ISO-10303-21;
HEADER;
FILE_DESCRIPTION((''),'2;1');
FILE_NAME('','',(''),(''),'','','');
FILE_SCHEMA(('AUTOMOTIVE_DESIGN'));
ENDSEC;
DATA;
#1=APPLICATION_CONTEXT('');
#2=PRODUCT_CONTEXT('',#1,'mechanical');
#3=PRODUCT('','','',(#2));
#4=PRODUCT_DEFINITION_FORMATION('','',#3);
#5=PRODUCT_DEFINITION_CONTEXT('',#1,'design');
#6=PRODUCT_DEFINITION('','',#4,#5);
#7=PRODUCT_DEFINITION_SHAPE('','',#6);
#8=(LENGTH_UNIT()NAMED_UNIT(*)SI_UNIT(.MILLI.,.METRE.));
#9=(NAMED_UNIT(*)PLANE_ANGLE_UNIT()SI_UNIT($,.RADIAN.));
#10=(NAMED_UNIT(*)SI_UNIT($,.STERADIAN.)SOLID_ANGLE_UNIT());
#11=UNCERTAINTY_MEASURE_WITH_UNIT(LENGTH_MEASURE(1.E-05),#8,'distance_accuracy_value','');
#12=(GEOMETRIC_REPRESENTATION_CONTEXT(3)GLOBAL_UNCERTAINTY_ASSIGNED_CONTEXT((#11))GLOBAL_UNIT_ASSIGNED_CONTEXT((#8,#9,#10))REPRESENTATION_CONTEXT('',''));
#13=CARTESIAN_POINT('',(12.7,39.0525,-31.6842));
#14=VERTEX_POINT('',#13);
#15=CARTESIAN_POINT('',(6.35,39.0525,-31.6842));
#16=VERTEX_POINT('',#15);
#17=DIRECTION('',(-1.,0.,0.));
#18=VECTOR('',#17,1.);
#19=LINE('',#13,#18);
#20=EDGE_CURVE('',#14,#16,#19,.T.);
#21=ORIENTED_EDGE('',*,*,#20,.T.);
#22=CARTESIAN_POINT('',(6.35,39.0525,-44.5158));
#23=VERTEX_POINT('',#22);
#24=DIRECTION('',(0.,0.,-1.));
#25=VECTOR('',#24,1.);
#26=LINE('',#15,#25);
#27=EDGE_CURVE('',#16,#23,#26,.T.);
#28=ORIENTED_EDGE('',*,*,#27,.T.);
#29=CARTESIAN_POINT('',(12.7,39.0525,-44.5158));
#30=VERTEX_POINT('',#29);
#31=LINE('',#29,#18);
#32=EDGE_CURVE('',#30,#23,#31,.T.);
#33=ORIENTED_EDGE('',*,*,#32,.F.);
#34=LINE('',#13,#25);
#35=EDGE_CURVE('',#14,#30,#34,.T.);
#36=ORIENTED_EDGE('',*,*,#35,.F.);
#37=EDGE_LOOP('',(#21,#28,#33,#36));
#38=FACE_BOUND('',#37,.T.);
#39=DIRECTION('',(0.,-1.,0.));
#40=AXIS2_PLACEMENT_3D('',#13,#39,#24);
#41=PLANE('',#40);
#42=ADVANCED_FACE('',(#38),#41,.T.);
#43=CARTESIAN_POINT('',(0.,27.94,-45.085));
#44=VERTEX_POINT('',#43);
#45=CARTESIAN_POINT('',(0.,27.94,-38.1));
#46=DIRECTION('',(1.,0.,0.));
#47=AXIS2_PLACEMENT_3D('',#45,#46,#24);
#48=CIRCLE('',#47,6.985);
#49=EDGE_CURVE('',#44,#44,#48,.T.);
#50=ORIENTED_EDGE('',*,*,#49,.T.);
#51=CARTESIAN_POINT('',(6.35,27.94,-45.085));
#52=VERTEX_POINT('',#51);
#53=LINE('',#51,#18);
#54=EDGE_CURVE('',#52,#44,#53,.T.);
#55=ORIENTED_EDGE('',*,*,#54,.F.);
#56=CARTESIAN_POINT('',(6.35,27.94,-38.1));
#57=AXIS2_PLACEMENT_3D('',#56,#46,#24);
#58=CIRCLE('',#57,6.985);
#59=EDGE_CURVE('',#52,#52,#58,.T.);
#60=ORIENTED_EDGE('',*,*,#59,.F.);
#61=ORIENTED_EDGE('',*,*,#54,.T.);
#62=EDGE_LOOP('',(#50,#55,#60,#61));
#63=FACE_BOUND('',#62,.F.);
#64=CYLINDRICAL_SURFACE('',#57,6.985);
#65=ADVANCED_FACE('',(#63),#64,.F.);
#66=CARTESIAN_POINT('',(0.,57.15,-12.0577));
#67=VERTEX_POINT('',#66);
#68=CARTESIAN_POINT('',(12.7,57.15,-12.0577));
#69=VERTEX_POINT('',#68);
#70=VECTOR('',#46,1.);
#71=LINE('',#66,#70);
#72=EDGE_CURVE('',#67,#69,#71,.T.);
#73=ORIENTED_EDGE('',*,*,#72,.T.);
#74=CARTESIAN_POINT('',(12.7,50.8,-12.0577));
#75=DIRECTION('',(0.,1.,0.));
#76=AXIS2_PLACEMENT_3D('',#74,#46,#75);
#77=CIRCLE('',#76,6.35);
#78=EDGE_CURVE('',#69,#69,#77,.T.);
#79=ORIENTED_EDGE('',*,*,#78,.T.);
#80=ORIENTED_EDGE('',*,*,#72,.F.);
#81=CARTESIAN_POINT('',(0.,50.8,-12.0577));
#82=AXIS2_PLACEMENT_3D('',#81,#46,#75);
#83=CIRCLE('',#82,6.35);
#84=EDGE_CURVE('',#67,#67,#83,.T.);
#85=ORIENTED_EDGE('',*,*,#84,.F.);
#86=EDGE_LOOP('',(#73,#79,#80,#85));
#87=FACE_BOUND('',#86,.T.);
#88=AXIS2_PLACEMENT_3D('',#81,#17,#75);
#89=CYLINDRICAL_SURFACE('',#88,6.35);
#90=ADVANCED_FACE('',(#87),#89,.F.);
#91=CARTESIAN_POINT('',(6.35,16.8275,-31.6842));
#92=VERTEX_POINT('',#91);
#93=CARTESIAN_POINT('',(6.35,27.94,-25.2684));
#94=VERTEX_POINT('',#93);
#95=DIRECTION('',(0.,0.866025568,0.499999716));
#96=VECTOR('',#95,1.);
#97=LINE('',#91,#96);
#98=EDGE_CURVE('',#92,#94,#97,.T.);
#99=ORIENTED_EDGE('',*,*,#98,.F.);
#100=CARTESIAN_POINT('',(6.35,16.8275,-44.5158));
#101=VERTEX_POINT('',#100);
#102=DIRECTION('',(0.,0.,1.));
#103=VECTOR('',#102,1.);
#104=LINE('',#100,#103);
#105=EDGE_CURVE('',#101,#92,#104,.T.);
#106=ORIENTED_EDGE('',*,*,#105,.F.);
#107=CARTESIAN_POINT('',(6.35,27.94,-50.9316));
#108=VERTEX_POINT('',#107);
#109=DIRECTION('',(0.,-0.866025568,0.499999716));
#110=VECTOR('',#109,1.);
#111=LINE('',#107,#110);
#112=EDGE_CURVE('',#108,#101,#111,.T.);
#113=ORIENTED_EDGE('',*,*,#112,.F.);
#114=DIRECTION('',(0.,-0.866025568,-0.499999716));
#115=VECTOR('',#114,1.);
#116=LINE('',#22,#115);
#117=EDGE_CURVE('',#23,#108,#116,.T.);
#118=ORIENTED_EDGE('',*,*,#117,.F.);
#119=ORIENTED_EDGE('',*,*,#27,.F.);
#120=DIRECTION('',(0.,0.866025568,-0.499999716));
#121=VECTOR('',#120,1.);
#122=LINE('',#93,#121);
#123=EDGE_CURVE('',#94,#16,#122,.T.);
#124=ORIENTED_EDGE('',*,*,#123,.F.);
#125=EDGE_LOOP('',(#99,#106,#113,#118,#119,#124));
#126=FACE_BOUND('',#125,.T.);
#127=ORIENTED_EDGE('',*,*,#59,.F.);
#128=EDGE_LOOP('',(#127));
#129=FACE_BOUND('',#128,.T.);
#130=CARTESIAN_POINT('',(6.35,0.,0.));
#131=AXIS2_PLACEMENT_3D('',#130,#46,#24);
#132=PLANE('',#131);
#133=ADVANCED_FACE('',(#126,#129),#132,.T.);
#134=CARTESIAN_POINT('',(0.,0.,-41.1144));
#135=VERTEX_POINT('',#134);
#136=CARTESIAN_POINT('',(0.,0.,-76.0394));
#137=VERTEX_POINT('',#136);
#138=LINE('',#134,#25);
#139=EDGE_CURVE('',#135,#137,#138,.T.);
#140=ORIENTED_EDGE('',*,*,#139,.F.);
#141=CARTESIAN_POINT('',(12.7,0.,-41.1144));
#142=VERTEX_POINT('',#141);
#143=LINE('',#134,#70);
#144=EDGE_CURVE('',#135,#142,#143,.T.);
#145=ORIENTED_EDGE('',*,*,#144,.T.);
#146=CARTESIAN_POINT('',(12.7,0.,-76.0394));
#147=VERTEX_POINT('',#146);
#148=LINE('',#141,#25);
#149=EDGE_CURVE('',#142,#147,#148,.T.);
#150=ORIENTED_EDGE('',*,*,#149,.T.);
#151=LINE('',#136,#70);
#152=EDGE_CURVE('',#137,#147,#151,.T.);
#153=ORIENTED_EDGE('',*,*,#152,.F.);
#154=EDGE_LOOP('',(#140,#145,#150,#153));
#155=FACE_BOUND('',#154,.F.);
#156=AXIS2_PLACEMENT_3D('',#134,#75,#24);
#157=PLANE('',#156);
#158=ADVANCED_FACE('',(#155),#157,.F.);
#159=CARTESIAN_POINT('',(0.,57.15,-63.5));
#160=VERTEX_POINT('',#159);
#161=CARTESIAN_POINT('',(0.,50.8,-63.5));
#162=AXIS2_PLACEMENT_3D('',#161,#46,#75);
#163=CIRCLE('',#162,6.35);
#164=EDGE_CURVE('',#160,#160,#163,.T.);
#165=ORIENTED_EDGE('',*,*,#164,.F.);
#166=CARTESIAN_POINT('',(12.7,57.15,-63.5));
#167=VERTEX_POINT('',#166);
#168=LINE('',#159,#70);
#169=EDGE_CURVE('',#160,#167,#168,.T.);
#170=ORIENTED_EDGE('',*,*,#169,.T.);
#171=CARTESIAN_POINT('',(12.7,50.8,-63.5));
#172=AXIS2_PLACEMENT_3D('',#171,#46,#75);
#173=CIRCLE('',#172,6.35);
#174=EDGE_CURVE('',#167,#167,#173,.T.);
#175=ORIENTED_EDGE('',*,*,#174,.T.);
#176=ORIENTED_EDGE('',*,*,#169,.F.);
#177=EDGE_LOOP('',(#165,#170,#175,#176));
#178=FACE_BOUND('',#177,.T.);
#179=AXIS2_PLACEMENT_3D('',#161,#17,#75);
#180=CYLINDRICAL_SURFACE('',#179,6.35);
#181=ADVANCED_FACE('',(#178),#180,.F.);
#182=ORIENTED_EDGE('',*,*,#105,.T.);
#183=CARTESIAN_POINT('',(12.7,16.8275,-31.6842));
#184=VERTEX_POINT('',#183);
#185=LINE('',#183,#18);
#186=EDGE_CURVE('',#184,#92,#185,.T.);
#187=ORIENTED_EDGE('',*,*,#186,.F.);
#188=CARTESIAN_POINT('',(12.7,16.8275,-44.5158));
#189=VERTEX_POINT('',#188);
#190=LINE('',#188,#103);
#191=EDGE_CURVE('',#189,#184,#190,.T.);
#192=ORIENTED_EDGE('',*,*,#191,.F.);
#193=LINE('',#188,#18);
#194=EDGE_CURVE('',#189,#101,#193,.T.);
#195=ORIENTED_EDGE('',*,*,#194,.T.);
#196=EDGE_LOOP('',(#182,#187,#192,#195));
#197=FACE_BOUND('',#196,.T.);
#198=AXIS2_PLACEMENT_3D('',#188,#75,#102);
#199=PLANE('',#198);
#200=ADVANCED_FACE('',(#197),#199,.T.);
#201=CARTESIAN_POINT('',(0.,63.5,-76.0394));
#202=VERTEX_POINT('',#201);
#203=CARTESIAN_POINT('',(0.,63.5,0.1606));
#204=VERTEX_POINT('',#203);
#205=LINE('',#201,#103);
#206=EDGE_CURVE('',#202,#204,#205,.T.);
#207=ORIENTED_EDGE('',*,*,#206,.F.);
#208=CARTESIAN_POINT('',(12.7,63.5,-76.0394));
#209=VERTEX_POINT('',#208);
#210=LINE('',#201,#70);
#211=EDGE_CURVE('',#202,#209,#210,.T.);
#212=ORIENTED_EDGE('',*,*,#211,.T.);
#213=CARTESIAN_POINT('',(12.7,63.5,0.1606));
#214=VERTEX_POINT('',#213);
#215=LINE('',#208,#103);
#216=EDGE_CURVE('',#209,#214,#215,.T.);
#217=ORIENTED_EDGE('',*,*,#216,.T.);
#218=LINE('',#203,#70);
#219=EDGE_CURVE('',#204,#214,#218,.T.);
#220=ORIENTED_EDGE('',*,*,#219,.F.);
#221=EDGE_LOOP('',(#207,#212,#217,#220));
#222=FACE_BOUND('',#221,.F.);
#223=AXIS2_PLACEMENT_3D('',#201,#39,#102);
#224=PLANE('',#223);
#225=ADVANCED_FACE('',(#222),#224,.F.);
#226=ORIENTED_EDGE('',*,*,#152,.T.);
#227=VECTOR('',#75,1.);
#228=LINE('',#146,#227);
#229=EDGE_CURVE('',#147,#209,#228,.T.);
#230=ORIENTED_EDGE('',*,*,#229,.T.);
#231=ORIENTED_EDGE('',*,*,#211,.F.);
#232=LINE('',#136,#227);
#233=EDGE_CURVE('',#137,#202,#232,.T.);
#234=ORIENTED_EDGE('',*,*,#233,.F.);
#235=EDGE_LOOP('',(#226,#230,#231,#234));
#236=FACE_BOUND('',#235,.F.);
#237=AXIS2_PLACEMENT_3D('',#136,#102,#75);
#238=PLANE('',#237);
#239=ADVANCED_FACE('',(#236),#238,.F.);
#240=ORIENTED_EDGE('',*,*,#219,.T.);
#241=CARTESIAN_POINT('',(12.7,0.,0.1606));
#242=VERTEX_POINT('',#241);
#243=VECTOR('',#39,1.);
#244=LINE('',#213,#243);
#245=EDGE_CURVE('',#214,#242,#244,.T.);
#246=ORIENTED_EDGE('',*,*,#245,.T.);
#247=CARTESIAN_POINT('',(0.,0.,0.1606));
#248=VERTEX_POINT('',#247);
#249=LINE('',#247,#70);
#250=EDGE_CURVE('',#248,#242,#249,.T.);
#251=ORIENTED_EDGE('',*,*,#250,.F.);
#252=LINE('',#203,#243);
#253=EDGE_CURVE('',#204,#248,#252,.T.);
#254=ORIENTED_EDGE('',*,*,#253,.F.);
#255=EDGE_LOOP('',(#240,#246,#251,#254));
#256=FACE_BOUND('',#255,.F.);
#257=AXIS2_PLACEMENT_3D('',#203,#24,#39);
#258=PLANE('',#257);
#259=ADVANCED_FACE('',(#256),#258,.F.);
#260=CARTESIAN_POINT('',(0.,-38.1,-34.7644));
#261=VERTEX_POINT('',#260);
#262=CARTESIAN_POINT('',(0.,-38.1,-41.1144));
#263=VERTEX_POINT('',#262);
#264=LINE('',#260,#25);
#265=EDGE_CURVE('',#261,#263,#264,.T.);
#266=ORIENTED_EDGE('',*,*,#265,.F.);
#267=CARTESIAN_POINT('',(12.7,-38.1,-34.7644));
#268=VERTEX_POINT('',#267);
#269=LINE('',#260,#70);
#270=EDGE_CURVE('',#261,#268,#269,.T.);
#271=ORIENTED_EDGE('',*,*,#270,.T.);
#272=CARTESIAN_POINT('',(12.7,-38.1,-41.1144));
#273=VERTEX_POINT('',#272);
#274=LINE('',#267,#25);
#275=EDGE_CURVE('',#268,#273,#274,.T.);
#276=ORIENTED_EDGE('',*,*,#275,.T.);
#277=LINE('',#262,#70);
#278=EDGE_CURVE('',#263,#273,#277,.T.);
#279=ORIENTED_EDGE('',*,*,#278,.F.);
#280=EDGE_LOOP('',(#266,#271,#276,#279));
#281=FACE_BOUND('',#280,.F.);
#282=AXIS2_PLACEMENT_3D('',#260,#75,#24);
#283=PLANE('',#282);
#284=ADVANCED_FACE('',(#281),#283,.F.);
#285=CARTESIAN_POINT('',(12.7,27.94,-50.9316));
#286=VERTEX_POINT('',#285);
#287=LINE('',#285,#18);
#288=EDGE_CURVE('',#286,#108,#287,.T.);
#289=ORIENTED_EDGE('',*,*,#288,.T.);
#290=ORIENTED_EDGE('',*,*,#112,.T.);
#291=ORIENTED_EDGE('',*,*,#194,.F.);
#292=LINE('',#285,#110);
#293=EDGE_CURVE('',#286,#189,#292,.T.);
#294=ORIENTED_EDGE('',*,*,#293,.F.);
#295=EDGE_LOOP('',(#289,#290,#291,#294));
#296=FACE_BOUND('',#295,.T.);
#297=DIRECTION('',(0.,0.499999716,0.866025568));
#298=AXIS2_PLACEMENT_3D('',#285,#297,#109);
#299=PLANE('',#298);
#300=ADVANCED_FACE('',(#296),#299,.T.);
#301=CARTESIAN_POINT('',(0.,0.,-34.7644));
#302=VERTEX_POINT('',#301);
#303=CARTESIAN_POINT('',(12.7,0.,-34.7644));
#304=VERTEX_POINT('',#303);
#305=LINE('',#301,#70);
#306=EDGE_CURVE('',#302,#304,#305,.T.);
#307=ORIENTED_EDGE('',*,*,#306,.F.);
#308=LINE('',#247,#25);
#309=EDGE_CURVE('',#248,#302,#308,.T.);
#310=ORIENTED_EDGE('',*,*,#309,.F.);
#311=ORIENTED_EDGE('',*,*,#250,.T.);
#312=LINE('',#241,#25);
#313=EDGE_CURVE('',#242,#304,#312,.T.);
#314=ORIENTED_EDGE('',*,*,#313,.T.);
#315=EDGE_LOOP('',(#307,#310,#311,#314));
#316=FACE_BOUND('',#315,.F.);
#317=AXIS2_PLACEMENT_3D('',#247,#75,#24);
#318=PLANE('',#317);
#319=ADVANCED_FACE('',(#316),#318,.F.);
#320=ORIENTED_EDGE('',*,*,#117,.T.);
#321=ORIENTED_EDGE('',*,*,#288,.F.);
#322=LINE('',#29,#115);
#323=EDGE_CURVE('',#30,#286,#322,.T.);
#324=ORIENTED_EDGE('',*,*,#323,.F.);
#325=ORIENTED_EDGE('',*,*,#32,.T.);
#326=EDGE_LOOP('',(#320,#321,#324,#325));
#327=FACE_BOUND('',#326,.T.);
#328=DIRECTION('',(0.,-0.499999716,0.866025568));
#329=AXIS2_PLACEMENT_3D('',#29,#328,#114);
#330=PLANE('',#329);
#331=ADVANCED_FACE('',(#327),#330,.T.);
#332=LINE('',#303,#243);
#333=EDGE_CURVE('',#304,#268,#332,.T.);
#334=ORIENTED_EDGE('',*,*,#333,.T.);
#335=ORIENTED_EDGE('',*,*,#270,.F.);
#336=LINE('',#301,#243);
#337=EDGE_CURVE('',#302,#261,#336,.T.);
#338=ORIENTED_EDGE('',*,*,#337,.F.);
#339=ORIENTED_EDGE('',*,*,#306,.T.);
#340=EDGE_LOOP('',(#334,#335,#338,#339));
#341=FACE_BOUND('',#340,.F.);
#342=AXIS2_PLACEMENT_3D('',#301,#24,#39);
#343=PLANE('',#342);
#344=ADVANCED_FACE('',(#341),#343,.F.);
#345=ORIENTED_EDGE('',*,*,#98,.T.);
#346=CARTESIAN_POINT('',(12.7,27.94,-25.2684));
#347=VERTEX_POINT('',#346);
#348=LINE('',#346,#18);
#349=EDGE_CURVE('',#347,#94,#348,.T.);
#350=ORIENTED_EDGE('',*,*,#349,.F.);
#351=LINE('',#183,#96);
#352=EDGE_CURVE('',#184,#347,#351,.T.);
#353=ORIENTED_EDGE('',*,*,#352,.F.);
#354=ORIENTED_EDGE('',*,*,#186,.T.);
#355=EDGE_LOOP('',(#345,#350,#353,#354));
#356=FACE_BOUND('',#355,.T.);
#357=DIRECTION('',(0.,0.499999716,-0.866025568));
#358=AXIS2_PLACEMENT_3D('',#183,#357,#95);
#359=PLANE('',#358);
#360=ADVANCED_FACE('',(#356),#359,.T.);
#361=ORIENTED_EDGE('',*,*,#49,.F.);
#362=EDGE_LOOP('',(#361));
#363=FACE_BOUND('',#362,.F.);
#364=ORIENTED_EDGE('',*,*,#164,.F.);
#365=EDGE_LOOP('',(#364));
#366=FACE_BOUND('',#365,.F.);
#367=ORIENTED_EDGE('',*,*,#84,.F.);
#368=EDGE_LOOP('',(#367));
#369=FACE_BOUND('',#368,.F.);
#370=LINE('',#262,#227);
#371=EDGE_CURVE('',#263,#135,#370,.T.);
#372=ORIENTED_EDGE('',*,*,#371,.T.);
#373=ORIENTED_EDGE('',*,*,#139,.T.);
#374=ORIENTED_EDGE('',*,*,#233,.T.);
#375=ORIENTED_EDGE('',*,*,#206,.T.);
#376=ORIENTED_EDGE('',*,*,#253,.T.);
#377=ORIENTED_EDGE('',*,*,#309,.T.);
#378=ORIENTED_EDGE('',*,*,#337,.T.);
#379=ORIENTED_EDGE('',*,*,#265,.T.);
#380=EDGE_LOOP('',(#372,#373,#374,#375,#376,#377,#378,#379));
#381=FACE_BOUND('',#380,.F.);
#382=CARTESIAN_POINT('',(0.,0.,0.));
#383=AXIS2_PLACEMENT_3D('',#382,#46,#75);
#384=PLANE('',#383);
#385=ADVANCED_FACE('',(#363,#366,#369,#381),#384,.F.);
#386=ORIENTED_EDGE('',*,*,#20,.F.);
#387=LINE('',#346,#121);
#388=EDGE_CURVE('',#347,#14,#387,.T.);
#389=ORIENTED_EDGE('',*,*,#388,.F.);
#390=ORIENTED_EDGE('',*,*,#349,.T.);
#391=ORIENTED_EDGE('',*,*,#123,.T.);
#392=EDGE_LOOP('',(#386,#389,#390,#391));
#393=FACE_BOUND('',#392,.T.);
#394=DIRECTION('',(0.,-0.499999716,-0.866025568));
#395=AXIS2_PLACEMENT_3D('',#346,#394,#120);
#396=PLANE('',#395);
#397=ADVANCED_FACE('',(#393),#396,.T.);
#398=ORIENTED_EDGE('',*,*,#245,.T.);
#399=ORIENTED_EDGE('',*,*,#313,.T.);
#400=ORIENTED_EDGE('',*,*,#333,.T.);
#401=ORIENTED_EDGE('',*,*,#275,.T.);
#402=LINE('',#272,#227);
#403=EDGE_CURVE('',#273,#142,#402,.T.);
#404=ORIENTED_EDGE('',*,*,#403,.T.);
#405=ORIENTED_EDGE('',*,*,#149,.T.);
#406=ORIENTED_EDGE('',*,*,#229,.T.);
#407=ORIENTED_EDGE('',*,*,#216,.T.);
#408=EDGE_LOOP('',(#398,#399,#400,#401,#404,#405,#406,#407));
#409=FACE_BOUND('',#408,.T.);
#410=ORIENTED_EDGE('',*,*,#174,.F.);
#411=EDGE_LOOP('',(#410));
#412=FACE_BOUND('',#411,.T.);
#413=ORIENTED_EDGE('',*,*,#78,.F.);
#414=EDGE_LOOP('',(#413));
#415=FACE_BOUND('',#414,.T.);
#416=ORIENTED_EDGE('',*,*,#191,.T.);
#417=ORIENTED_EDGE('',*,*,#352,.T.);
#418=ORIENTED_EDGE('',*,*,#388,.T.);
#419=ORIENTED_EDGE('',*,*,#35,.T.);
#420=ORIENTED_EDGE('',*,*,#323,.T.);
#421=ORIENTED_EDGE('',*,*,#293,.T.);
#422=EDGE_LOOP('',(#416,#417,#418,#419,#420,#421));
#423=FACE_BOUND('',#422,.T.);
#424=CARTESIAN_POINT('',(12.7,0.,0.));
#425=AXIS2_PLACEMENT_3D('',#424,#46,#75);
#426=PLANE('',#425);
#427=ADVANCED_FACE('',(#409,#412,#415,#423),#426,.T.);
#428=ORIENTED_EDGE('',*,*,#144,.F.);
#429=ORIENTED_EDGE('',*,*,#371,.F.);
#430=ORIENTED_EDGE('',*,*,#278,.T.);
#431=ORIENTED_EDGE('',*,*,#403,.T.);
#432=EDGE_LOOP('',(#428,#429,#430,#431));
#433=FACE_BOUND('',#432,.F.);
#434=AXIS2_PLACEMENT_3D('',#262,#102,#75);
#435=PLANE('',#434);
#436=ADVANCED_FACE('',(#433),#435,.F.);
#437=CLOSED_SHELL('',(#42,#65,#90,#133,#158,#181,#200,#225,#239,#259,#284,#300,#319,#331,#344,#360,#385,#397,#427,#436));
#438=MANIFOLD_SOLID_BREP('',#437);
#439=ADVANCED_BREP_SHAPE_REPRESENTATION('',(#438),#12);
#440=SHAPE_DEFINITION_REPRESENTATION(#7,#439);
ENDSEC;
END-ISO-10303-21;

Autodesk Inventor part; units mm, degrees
ref_plane "YZ Plane" through (0, 0, 0) normal (1, 0, 0) x (0, 1, 0)
ref_plane "XZ Plane" through (0, 0, 0) normal (0, 1, 0) x (-1, 0, 0)
ref_plane "XY Plane" through (0, 0, 0) normal (0, 0, 1) x (1, 0, 0)
sketch "Sketch1" plane through (0, 0, 0) normal (1, 0, 0) x (0, 1, 0)
  circle A0 centre (27.94, -38.1) radius 6.985 construction
  circle A1 centre (50.8, -12.0577) radius 6.35
  line L0 (63.5, 0.1606) -> (50.8, 0.1606) construction
  line L1 (50.8, 0.1606) -> (50.8, -12.5394) construction
  line L2 (50.8, -12.5394) -> (63.5, -12.5394) construction
  line L3 (63.5, -12.5394) -> (63.5, 0.1606) construction
  circle A2 centre (50.8, -63.5) radius 6.35
  line L4 (16.8275, -31.6842) -> (27.94, -25.2684) construction
  line L5 (27.94, -25.2684) -> (39.0525, -31.6842) construction
  line L6 (39.0525, -31.6842) -> (39.0525, -44.5158) construction
  line L7 (39.0525, -44.5158) -> (27.94, -50.9316) construction
  line L8 (27.94, -50.9316) -> (16.8275, -44.5158) construction
  line L9 (16.8275, -44.5158) -> (16.8275, -31.6842) construction
  line L10 (0, -34.7644) -> (-38.1, -34.7644)
  line L11 (-38.1, -34.7644) -> (-38.1, -41.1144)
  line L12 (-38.1, -41.1144) -> (0, -41.1144)
  line L13 (63.5, 0.1606) -> (0, 0.1606)
  line L14 (0, -76.0394) -> (63.5, -76.0394)
  line L15 (63.5, -76.0394) -> (63.5, 0.1606)
  line L16 (0, 0.1606) -> (0, -34.7644)
  line L17 (0, -41.1144) -> (0, -76.0394)
  line L18 (0, -37.9394) -> (27.94, -37.9394) construction
  line L19 (0, -37.9394) -> (27.94, -37.9394) construction
  point P0 (0, 0)
  dimension "d9" = 13.97
  dimension "d12" = 12.7
  dimension "d13" = 12.7
  dimension "d18" = 22.225
  dimension "d21" = 38.1
  dimension "d22" = 6.35
  dimension "d23" = 63.5
  dimension "d24" = 76.2
  dimension "d38" = 38.1
  dimension "d41" = 27.94
  dimension "d42" = 0
  dimension "d43" = 34.925
  dimension "d44" = 38.1
extrude "Extrusion3" add sketch "Sketch1" along normal blind 12.7
sketch "Sketch2" plane through (12.7, 0, 0) normal (1, 0, 0) x (0, 0, -1)
  line L0 (0, 0) -> (38.1, 0) construction
  line L1 (38.1, 0) -> (38.1, 27.94) construction
  line L2 (31.6842, 16.8275) -> (25.2684, 27.94)
  line L3 (25.2684, 27.94) -> (31.6842, 39.0525)
  line L4 (31.6842, 39.0525) -> (44.5158, 39.0525)
  line L5 (44.5158, 39.0525) -> (50.9316, 27.94)
  line L6 (50.9316, 27.94) -> (44.5158, 16.8275)
  line L7 (44.5158, 16.8275) -> (31.6842, 16.8275)
  point P0 (38.1, 16.8275)
  dimension "d29" = 38.1
  dimension "d30" = 27.94
  dimension "d31" = 90
  dimension "d32" = 22.225
extrude "Extrusion4" cut sketch "Sketch2" against normal blind 6.35
sketch "Sketch3" plane through (6.35, 0, 0) normal (1, 0, 0) x (0, 0, -1)
  line L0 (25.2684, 27.94) -> (31.6842, 39.0525) construction
  line L1 (31.6842, 39.0525) -> (44.5158, 16.8275) construction
  circle A0 centre (38.1, 27.94) radius 6.985
  point P0 (0, 0)
  dimension "d35" = 13.97
extrude "Extrusion5" cut sketch "Sketch3" along normal through all both and the other way through all
equation "\"d38\" = d21"
properties part number "Holder" material "PVC-Piping"
